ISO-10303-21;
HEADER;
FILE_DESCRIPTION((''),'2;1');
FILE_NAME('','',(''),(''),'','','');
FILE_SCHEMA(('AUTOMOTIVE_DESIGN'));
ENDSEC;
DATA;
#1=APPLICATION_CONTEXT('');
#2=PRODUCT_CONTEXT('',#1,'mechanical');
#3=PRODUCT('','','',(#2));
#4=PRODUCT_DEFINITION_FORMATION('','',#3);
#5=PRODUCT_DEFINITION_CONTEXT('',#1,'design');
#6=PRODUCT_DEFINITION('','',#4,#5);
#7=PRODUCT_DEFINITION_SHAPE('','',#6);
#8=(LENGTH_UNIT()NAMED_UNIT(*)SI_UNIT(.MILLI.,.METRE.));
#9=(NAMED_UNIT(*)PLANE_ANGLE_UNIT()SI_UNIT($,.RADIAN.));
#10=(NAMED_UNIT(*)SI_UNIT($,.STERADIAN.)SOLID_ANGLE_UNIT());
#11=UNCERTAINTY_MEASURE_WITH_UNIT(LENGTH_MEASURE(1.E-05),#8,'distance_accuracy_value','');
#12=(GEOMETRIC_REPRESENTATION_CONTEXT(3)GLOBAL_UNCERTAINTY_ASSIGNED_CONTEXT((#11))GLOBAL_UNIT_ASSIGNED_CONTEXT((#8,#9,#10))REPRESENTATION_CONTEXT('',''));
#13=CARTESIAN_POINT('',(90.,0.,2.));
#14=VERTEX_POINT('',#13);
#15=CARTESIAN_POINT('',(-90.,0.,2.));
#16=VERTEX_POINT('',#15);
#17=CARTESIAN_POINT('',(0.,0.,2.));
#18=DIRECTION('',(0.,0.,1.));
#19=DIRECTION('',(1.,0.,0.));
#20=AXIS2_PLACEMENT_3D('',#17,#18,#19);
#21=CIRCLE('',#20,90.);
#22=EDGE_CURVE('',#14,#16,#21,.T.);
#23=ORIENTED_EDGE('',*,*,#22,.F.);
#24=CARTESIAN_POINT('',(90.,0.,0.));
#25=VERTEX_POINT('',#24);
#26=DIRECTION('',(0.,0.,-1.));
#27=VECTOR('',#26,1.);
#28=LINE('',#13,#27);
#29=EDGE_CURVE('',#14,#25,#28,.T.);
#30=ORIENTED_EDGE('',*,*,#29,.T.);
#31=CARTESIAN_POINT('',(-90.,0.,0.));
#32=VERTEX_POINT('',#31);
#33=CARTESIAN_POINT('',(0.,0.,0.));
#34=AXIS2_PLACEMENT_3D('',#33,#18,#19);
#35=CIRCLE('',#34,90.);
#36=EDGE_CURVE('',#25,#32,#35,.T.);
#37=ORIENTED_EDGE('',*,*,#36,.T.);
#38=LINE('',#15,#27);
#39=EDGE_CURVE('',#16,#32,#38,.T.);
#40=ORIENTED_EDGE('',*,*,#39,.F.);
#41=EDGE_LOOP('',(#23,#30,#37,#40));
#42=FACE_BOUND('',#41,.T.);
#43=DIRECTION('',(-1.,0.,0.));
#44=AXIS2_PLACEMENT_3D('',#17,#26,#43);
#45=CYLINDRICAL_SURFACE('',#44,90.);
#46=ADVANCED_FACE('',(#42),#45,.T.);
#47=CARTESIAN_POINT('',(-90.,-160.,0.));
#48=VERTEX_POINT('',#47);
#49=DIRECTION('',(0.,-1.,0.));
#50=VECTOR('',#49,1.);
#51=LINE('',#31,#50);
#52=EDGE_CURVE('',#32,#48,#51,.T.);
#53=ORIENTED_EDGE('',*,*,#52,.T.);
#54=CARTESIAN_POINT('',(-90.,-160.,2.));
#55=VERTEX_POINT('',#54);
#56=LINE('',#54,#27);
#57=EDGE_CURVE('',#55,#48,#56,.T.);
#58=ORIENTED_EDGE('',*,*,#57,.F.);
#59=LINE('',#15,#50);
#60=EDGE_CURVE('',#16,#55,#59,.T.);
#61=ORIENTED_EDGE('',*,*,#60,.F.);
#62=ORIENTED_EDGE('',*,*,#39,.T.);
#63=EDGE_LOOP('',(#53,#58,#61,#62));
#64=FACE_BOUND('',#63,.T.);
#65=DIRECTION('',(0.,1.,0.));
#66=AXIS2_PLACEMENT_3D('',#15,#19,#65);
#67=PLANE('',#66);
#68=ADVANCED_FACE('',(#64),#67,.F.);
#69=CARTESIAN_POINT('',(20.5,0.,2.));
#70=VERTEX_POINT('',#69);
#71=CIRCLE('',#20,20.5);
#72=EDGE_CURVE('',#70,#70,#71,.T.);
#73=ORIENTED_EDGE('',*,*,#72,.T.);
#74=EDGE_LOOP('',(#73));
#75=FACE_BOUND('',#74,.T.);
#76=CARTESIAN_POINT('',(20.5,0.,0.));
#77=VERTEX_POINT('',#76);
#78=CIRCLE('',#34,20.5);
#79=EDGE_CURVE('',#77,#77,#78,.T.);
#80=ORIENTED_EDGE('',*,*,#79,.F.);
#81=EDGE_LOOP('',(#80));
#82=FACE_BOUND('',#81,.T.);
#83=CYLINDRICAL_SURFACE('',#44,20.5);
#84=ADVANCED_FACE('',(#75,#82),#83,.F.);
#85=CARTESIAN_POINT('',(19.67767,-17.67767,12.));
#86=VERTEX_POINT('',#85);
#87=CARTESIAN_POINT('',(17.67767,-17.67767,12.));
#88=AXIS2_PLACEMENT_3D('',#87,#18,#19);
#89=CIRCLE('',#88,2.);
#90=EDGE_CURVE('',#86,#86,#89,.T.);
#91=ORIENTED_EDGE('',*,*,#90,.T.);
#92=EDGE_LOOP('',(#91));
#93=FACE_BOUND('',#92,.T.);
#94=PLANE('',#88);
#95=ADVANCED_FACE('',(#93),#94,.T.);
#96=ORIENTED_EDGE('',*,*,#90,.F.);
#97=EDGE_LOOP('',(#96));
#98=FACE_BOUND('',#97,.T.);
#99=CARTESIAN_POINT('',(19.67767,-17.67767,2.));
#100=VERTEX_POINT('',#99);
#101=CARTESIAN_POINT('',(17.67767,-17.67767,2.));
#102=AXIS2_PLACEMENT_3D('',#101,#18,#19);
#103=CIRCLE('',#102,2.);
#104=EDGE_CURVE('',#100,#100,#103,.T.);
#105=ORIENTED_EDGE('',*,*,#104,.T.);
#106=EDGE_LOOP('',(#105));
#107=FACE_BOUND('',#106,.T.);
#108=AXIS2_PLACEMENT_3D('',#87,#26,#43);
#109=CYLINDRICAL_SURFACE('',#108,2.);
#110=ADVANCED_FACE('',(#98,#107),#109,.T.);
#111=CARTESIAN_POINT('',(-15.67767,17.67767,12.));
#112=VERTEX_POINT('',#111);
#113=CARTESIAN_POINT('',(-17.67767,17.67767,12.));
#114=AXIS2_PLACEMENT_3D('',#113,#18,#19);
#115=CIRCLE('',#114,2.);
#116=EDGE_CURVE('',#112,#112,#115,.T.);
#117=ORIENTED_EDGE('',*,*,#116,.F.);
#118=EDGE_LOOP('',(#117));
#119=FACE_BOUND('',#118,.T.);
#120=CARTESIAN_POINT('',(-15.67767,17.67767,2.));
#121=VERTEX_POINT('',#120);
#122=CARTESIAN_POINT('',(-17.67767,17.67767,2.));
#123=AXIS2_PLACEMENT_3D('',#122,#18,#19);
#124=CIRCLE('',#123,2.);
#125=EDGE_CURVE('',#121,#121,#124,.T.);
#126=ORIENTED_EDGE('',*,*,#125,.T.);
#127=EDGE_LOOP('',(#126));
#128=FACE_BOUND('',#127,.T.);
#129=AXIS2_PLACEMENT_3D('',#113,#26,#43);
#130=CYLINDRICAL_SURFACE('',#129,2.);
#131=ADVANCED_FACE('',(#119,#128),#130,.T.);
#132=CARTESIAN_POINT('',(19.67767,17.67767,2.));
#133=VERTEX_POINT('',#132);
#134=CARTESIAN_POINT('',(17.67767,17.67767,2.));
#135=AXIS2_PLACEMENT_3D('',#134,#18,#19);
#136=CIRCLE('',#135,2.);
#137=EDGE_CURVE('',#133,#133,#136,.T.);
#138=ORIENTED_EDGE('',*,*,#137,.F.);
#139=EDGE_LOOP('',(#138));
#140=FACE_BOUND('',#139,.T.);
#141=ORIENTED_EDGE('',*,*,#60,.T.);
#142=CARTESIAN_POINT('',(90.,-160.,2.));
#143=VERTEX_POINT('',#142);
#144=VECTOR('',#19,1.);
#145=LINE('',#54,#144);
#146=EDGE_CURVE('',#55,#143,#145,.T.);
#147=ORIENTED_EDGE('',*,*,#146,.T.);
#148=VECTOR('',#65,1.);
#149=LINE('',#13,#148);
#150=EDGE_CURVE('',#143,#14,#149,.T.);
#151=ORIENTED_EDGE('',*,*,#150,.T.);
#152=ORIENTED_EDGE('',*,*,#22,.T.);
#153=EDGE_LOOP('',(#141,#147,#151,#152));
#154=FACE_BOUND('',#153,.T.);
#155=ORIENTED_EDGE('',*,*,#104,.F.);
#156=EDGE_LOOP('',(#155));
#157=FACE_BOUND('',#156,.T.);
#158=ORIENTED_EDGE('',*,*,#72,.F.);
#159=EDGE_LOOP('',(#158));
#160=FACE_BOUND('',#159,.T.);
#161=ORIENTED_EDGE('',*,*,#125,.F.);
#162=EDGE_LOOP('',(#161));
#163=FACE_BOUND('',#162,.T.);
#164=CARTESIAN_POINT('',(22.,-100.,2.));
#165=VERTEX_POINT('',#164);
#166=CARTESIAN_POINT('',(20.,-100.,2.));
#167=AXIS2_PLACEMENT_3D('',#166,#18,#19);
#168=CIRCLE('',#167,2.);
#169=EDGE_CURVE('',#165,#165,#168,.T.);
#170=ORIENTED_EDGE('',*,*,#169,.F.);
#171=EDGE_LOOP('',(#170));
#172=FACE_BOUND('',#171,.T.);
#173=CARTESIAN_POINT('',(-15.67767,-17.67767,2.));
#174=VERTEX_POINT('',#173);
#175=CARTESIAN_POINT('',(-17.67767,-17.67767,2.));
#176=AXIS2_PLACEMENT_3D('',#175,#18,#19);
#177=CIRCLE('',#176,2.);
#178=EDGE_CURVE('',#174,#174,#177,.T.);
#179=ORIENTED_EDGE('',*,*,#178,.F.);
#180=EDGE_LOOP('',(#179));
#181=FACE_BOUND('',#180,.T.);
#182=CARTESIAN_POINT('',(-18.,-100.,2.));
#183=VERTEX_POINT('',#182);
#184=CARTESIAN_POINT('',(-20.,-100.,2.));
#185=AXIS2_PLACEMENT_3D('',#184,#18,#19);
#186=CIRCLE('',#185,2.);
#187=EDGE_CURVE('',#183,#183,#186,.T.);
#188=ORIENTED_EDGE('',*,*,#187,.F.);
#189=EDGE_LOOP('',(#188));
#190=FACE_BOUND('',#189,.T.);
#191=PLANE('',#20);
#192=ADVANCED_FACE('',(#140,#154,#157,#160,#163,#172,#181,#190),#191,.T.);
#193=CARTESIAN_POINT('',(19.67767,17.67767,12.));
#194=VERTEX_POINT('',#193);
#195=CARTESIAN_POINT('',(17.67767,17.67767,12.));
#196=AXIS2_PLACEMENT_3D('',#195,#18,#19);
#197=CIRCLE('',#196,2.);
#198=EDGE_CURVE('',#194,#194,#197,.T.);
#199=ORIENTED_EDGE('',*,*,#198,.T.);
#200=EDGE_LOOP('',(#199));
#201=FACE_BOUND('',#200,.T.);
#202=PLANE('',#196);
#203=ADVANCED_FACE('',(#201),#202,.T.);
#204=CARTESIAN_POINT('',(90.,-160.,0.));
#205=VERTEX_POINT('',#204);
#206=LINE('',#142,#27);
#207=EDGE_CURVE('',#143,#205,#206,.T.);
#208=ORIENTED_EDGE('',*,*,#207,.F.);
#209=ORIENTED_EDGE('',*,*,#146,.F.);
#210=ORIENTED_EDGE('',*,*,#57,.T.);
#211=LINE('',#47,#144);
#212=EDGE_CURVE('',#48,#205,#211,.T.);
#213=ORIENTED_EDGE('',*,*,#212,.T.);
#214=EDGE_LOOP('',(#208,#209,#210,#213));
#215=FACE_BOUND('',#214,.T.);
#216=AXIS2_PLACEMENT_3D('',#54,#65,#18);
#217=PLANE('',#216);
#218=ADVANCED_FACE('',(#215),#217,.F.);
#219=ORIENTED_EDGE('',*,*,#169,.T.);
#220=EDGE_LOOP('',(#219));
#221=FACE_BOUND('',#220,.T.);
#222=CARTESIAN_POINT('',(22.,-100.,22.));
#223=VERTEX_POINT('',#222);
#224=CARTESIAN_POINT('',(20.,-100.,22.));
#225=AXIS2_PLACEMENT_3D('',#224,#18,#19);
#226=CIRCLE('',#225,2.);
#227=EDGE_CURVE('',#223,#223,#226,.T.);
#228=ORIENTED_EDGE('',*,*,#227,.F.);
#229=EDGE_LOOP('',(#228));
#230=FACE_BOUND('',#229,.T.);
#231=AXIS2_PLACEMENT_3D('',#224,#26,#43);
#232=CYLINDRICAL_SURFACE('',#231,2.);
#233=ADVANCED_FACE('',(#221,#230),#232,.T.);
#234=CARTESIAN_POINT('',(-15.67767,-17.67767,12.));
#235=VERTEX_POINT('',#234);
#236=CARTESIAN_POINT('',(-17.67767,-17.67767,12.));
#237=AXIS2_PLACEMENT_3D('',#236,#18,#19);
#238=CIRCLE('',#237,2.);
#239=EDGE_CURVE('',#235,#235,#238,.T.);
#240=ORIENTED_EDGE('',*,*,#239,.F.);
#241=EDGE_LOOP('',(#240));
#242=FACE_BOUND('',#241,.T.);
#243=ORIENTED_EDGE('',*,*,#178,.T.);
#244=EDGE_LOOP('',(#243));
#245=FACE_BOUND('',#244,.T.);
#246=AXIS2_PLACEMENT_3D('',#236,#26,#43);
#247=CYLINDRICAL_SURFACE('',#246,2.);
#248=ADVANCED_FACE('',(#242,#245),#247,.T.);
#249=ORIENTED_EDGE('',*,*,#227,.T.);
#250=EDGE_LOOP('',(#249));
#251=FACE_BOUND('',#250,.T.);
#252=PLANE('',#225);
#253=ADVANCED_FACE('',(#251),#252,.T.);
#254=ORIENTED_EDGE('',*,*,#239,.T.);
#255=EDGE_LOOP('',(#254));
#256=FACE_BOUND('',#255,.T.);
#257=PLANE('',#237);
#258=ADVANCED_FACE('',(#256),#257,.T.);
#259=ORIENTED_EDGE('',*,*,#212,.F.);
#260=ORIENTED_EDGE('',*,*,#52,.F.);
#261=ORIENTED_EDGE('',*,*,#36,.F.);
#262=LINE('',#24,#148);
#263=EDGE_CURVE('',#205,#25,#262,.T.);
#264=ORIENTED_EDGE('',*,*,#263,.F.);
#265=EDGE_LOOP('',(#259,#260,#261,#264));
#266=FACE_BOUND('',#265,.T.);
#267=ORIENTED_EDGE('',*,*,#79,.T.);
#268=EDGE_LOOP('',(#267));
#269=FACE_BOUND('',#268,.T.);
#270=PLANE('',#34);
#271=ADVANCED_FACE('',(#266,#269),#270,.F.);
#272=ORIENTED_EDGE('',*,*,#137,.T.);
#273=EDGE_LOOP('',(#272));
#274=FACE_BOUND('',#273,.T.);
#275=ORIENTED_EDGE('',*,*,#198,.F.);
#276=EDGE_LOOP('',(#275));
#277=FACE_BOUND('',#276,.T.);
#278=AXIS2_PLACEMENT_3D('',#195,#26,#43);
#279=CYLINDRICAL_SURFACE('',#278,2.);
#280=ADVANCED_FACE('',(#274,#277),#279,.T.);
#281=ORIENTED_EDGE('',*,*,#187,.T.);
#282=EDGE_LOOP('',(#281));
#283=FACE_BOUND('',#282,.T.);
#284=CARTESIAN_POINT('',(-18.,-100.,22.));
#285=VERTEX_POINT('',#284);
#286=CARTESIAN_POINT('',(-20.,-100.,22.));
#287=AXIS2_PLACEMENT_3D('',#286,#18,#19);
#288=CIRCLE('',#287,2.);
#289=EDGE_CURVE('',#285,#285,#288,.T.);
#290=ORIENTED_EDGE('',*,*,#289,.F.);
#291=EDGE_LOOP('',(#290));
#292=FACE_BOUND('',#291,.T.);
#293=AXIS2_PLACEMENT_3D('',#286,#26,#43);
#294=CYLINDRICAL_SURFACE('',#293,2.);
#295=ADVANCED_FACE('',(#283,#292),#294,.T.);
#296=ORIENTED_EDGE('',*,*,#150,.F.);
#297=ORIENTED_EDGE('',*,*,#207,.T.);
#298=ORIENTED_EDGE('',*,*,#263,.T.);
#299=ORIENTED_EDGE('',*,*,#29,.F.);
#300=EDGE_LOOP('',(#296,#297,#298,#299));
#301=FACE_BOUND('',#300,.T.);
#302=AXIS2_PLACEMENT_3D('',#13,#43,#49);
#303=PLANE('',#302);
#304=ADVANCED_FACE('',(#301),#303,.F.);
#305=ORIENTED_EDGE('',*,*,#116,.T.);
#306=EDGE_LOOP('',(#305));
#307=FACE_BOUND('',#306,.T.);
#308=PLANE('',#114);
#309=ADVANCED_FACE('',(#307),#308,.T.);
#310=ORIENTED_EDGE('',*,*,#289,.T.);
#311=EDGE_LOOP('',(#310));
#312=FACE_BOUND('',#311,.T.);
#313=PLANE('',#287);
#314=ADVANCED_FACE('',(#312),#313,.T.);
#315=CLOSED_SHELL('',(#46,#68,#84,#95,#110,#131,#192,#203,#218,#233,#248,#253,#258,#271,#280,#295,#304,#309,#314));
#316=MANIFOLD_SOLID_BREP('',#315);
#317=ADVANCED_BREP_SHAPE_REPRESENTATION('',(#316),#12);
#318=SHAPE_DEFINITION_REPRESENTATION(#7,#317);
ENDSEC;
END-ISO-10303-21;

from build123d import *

# Parameters (mm, degrees)
ESQUISSE1_R        = 20.5
BOSS_EXTRU_1_DEPTH = 2
ESQUISSE2_R        = 2
GOUJON_M4X10_DEPTH = 10
ESQUISSE3_R        = 2
GOUJON_M4X20_DEPTH = 20


with BuildPart() as part:
    # Esquisse1 → Boss.-Extru.1 (new body)
    with BuildSketch(Plane.XY):
        with BuildLine():
            Line((-90, -160), (90, -160))
            Line((90, -160), (90, 0))
            ThreePointArc((90, 0), (0, 90), (-90, 0))
            Line((-90, 0), (-90, -160))
        make_face()
        Circle(ESQUISSE1_R, mode=Mode.SUBTRACT)
    extrude(amount=BOSS_EXTRU_1_DEPTH)

    # Esquisse2 → Goujon M4x10 (add)
    with BuildSketch(Plane.XY.offset(2)):
        with Locations((-17.67766953, 17.67766953)):
            Circle(ESQUISSE2_R)
        with Locations((17.67766953, 17.67766953)):
            Circle(ESQUISSE2_R)
        with Locations((17.67766953, -17.67766953)):
            Circle(ESQUISSE2_R)
        with Locations((-17.67766953, -17.67766953)):
            Circle(ESQUISSE2_R)
    extrude(amount=GOUJON_M4X10_DEPTH)

    # Esquisse3 → Goujon M4x20 (add)
    with BuildSketch(Plane.XY.offset(2)):
        with Locations((-20, -100)):
            Circle(ESQUISSE3_R)
        with Locations((20, -100)):
            Circle(ESQUISSE3_R)
    extrude(amount=GOUJON_M4X20_DEPTH)


solid = part.part
